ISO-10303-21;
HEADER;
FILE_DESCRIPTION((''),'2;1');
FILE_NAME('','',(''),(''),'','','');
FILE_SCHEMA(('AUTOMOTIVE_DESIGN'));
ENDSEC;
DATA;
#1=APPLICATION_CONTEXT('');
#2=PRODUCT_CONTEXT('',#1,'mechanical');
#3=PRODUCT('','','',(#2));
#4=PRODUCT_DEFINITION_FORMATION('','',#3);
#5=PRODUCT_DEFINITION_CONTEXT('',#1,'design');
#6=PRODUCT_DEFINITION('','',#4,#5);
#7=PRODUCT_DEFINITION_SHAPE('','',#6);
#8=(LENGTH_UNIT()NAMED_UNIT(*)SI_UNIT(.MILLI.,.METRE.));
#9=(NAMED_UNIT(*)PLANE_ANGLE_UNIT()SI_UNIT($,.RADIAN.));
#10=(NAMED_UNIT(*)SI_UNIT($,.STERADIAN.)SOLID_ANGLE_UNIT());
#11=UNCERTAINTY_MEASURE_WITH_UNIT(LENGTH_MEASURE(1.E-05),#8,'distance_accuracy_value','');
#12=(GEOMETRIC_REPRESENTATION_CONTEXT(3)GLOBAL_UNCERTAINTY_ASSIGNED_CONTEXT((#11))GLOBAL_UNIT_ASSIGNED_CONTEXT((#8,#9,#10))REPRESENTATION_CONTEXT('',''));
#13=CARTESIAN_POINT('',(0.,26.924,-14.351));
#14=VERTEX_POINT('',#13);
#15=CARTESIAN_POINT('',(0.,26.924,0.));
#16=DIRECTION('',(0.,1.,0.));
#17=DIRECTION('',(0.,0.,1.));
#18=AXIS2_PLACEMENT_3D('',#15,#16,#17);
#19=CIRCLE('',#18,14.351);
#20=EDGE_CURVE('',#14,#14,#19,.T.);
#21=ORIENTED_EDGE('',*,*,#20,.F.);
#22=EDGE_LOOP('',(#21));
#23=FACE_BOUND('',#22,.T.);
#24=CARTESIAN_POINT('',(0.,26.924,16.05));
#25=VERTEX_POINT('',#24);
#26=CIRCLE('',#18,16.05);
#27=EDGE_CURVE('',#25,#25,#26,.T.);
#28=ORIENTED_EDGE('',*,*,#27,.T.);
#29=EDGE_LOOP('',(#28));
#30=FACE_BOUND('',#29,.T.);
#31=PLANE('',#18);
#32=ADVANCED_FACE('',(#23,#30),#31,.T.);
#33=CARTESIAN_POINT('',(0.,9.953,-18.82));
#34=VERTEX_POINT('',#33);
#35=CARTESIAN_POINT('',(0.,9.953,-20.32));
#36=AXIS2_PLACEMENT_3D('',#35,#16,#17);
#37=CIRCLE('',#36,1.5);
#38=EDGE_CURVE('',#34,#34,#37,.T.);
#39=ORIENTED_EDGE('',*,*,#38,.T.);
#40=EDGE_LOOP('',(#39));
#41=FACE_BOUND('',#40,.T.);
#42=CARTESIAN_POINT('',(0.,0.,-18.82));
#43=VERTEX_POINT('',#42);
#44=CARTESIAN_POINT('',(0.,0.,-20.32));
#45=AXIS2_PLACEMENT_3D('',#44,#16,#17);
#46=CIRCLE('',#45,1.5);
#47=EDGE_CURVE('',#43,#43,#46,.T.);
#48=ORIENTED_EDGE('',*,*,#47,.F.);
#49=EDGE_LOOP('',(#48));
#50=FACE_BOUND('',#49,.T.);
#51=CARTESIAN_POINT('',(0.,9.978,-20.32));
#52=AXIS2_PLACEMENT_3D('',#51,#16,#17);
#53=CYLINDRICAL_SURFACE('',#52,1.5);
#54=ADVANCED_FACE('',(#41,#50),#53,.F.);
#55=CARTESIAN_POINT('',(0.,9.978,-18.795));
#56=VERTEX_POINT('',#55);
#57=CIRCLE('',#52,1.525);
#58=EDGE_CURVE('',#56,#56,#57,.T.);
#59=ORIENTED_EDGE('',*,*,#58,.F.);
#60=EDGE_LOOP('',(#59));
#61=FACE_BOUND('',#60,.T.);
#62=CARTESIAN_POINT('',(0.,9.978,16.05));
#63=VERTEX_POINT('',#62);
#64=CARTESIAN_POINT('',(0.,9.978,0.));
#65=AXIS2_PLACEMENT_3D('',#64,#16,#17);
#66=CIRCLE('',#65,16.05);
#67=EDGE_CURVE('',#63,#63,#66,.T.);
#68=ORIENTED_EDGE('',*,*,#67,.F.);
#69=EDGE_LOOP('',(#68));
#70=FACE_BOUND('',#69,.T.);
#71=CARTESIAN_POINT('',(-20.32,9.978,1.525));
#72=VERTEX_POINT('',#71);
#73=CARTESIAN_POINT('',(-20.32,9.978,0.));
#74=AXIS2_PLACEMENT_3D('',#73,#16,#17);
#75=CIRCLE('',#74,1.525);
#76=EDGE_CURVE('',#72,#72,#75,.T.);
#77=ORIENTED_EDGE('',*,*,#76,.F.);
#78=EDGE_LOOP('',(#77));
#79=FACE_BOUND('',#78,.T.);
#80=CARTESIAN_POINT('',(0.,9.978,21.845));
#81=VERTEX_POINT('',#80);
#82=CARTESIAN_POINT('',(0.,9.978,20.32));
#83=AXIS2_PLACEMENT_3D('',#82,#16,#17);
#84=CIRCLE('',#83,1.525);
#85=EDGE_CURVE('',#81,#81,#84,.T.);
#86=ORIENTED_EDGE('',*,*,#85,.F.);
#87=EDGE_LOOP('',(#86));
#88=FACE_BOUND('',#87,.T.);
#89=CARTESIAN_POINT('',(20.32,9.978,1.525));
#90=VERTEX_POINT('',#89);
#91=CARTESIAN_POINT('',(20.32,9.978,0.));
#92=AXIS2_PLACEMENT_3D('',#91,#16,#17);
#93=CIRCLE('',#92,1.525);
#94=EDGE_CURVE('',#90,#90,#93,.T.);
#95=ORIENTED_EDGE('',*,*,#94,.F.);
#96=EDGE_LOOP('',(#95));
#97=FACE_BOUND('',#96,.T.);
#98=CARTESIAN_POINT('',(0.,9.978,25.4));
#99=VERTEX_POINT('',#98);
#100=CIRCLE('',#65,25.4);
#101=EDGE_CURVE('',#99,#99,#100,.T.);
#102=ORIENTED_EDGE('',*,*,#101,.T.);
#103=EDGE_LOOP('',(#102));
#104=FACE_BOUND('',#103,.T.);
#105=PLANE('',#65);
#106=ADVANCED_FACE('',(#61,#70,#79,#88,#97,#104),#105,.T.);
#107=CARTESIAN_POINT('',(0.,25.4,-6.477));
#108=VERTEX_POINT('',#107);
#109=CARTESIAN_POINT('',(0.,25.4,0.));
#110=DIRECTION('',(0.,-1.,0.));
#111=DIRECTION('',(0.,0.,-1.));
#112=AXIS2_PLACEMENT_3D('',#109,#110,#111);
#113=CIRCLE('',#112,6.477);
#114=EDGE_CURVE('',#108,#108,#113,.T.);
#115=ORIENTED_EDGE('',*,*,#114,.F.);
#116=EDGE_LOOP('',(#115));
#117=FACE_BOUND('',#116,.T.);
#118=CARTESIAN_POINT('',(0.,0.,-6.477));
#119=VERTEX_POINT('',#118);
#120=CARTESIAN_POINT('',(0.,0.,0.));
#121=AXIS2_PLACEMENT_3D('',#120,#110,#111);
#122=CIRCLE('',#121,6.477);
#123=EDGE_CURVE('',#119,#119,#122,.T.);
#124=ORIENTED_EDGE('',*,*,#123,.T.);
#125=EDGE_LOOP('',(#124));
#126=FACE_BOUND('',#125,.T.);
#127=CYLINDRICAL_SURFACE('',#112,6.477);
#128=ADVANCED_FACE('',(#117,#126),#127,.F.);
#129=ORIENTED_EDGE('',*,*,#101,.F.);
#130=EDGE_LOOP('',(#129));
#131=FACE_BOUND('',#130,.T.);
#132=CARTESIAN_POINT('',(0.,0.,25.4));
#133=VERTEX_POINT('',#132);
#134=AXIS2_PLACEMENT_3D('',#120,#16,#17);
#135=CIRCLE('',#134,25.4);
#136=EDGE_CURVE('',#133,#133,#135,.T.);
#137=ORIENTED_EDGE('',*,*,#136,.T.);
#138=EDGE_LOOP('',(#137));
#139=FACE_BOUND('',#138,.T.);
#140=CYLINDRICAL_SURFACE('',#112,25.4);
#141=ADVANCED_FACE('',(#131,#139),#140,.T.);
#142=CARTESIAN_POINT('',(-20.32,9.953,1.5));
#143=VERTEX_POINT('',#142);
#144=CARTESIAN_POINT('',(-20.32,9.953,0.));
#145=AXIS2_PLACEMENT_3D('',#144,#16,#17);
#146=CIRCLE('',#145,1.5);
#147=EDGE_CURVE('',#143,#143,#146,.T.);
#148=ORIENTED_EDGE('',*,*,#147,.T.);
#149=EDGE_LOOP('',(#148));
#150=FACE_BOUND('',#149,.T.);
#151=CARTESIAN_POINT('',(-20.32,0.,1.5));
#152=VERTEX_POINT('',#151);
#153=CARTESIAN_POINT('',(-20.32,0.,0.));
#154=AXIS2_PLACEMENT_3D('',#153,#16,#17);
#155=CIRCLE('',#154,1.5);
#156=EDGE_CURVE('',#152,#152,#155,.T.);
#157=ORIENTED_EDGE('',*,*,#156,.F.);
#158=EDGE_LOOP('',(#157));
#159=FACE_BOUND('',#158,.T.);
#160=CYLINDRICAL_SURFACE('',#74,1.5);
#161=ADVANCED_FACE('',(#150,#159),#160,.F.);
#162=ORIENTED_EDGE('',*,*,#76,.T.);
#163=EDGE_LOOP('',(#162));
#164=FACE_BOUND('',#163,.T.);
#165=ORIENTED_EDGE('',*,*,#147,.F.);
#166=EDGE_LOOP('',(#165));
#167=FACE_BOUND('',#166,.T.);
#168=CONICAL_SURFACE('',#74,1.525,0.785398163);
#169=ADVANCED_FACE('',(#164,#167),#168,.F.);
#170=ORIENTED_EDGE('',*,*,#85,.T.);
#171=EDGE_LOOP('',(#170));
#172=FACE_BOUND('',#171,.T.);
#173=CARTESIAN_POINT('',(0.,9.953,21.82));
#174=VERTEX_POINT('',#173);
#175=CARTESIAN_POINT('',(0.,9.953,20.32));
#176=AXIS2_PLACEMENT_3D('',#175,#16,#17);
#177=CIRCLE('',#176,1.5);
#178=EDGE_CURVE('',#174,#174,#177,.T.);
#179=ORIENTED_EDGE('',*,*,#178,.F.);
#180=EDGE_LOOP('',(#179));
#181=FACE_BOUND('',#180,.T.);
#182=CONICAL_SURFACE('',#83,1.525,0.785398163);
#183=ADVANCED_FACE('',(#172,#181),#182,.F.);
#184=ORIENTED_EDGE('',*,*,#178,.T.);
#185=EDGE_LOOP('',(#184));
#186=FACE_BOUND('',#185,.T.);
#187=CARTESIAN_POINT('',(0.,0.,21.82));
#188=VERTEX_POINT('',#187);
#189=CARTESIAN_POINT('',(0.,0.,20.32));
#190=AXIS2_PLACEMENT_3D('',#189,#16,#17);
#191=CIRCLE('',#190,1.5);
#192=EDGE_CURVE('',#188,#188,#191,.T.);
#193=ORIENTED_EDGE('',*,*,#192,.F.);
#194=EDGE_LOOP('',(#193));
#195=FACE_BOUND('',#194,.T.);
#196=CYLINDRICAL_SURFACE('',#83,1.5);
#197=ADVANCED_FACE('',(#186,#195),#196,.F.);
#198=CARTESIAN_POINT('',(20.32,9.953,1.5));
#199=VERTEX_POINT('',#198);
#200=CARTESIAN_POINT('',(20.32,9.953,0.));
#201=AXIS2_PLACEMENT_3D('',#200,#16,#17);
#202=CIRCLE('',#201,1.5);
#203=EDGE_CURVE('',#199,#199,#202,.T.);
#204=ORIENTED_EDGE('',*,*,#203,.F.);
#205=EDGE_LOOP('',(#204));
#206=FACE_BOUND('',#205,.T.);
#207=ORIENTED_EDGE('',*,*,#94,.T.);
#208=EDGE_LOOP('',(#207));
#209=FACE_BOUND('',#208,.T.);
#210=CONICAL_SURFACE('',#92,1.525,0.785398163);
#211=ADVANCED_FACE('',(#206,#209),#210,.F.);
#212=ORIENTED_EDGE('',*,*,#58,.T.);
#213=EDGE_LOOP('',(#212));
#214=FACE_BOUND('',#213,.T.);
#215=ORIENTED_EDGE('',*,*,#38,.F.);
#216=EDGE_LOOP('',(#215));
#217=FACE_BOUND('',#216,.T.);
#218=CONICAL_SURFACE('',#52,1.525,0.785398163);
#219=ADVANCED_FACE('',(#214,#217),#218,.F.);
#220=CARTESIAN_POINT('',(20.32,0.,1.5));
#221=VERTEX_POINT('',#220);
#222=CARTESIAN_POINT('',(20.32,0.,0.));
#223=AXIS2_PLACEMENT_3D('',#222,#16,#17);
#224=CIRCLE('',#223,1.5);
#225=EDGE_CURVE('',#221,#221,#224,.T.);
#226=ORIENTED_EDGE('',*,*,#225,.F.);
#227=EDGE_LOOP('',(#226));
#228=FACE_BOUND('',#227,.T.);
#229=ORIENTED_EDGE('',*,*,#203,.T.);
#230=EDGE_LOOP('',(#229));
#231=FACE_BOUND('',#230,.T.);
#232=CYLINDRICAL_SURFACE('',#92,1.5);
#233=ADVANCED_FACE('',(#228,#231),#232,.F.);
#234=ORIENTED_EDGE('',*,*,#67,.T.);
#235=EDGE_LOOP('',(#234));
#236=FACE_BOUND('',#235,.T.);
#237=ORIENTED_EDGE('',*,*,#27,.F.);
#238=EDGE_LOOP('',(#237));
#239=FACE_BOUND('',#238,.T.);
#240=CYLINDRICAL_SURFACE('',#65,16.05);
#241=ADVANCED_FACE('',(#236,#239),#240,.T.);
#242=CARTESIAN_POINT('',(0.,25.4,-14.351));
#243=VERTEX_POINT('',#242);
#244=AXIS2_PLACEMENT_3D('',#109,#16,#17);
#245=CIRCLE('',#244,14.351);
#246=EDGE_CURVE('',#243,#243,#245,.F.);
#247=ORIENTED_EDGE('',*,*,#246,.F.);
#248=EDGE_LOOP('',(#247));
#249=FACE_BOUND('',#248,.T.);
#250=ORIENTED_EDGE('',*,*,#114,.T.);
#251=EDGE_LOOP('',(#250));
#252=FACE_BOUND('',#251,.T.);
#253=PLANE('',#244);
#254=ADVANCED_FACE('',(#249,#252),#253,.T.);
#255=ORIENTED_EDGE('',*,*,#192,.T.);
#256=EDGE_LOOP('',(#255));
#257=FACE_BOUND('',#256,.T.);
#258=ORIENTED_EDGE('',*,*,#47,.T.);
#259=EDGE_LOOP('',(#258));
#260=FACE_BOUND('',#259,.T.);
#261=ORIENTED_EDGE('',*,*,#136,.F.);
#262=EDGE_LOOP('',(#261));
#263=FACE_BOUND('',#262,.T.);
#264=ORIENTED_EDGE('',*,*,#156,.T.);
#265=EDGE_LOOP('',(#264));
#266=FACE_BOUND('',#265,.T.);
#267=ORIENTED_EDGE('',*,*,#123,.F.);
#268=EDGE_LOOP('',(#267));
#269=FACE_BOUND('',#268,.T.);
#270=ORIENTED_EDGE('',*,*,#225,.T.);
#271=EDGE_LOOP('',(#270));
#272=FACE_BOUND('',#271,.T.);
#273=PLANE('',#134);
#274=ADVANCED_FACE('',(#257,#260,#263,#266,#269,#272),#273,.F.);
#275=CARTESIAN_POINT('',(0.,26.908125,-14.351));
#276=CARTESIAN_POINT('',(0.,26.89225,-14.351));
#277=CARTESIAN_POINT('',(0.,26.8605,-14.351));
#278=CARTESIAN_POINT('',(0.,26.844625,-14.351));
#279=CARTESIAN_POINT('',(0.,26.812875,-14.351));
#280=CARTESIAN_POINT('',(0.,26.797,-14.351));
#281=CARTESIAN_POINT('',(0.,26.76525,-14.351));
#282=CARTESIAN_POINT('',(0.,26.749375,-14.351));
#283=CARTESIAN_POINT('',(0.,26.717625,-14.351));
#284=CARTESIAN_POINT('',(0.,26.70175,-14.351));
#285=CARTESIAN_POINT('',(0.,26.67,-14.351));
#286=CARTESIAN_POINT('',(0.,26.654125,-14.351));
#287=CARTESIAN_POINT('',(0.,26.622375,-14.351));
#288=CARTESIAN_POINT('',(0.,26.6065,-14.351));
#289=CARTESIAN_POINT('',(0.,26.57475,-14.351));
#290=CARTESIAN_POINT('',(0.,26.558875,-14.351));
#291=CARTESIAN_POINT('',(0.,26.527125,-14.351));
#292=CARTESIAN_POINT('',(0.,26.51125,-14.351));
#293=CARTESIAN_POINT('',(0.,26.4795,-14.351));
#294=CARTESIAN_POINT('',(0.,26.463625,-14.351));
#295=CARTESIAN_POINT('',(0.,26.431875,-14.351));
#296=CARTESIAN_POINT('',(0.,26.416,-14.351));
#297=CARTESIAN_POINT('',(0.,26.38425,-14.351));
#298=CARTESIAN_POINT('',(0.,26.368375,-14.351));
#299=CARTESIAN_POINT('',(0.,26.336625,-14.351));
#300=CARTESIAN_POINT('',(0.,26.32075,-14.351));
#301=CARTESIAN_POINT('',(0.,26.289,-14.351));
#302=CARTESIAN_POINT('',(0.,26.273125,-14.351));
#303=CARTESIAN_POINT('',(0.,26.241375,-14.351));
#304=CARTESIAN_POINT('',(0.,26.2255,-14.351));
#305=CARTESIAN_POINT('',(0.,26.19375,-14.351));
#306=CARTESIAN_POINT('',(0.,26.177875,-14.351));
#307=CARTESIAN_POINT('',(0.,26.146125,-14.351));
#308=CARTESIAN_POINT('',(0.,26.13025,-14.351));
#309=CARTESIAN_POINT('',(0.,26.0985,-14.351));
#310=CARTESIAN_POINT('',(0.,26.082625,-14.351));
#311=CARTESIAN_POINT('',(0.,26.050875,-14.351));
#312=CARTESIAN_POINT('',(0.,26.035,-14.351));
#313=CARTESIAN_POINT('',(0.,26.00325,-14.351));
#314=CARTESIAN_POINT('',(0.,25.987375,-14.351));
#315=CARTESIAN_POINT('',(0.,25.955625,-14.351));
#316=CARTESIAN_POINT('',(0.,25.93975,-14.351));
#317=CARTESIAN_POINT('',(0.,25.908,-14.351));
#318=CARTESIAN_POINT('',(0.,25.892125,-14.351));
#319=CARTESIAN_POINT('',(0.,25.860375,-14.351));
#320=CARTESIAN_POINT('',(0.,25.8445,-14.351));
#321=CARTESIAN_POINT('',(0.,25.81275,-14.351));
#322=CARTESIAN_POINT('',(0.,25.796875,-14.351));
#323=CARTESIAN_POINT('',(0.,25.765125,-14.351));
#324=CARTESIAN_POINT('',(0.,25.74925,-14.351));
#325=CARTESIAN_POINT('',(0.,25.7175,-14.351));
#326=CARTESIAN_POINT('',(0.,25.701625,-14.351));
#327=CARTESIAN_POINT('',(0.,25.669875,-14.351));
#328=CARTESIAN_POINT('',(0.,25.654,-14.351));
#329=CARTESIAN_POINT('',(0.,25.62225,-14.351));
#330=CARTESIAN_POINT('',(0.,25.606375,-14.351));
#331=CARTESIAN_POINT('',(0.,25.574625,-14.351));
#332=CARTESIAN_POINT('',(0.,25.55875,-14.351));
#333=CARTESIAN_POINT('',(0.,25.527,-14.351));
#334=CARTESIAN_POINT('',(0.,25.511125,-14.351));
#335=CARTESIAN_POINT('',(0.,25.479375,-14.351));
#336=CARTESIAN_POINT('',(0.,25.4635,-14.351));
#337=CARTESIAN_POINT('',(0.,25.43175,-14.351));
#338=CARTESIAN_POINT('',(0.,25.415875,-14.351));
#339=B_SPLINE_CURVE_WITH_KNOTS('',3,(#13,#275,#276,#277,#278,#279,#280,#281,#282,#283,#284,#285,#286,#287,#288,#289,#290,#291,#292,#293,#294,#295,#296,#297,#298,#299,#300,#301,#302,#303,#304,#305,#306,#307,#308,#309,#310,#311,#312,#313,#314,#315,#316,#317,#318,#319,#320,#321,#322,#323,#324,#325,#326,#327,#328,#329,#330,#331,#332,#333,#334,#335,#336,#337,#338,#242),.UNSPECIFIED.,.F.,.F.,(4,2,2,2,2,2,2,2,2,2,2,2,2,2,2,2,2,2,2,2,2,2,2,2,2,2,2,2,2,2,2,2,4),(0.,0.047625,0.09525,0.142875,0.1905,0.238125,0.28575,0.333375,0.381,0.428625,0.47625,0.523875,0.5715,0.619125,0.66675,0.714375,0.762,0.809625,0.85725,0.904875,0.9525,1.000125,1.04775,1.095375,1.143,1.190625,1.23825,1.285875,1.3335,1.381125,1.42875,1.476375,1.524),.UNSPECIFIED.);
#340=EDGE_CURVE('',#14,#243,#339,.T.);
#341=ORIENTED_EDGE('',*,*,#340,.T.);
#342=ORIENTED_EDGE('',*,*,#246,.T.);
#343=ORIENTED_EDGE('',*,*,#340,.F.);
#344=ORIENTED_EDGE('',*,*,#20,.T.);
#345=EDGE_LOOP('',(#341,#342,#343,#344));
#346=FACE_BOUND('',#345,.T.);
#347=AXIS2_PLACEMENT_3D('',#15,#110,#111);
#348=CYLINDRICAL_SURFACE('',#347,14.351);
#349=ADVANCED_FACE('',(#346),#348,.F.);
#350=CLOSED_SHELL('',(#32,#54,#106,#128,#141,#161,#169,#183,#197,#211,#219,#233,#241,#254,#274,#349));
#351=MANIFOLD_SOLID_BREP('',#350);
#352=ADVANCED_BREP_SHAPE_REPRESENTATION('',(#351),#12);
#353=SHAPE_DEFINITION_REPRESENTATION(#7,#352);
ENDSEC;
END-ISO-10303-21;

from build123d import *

# Parameters (mm, degrees)
SKETCH1_R                       = 25.4
BOSS_EXTRUDE1_DEPTH             = 25.4
SKETCH2_OUTSIDE_W               = 68.04
SKETCH2_OUTSIDE_H               = 68.04
SKETCH2_OUTSIDE_R               = 16.05
CUT_EXTRUDE1_DEPTH              = 15.422
SKETCH3_R                       = 6.477
CUT_EXTRUDE2_DEPTH              = 44.994090512
BOSS_EXTRUDE2_START             = 1.524
SKETCH4_R                       = 16.05
SKETCH4_R_2                     = 14.351
BOSS_EXTRUDE2_DEPTH             = 1.524
F_3_0MM_DOWEL_HOLE1_D           = 3
F_3_0MM_DOWEL_HOLE1_CSINK_D     = 3.05
F_3_0MM_DOWEL_HOLE1_CSINK_ANGLE = 90
CIRPATTERN1_COUNT               = 4


with BuildPart() as part:
    # Sketch1 → Boss-Extrude1 (new body)
    with BuildSketch(Plane(origin=(0, 0, 0), x_dir=(1, 0, 0), z_dir=(0, 1, 0))):
        with Locations(Location((0, 0, 0), (0, 0, 270))):
            Circle(SKETCH1_R)
    extrude(amount=BOSS_EXTRUDE1_DEPTH)

    # Sketch2 outside → Cut-Extrude1 (cut)
    with BuildSketch(Plane(origin=(0, 25.4, 0), x_dir=(1, 0, 0), z_dir=(0, 1, 0))):
        Rectangle(SKETCH2_OUTSIDE_W, SKETCH2_OUTSIDE_H)
        with Locations(Location((0, 0, 0), (0, 0, 270))):
            Circle(SKETCH2_OUTSIDE_R, mode=Mode.SUBTRACT)
    extrude(amount=-CUT_EXTRUDE1_DEPTH, mode=Mode.SUBTRACT)

    # Sketch3 → Cut-Extrude2 (cut, through all)
    with BuildSketch(Plane.XZ):
        with Locations(Location((0, 0, 0), (0, 0, 270))):
            Circle(SKETCH3_R)
    extrude(amount=-CUT_EXTRUDE2_DEPTH, mode=Mode.SUBTRACT)

    # Sketch4 → Boss-Extrude2 (add)
    with BuildSketch(Plane(origin=(0, 25.4, 0), x_dir=(1, 0, 0), z_dir=(0, 1, 0)).offset(BOSS_EXTRUDE2_START)):
        with Locations(Location((0, 0, 0), (0, 0, 270))):
            Circle(SKETCH4_R)
        with Locations(Location((0, 0, 0), (0, 0, 90))):
            Circle(SKETCH4_R_2, mode=Mode.SUBTRACT)
    extrude(amount=-BOSS_EXTRUDE2_DEPTH)

    # Ø3.0mm Dowel Hole1 (through all)
    with Locations(Plane(origin=(0, 9.978, -20.32), x_dir=(0, 0, 1), z_dir=(0, 1, 0))):
        with Locations((0, 0)):
            f_3_0mm_dowel_hole1 = CounterSinkHole(F_3_0MM_DOWEL_HOLE1_D / 2, F_3_0MM_DOWEL_HOLE1_CSINK_D / 2, counter_sink_angle=F_3_0MM_DOWEL_HOLE1_CSINK_ANGLE)

    # CirPattern1: Ø3.0mm Dowel Hole1 ×4 about axis
    cirpattern1_axis = Axis((0, 0, 0), (0, 1, 0))
    for i in range(1, CIRPATTERN1_COUNT):
        add(f_3_0mm_dowel_hole1.rotate(cirpattern1_axis, i * 360 / CIRPATTERN1_COUNT), mode=Mode.SUBTRACT)


solid = part.part
